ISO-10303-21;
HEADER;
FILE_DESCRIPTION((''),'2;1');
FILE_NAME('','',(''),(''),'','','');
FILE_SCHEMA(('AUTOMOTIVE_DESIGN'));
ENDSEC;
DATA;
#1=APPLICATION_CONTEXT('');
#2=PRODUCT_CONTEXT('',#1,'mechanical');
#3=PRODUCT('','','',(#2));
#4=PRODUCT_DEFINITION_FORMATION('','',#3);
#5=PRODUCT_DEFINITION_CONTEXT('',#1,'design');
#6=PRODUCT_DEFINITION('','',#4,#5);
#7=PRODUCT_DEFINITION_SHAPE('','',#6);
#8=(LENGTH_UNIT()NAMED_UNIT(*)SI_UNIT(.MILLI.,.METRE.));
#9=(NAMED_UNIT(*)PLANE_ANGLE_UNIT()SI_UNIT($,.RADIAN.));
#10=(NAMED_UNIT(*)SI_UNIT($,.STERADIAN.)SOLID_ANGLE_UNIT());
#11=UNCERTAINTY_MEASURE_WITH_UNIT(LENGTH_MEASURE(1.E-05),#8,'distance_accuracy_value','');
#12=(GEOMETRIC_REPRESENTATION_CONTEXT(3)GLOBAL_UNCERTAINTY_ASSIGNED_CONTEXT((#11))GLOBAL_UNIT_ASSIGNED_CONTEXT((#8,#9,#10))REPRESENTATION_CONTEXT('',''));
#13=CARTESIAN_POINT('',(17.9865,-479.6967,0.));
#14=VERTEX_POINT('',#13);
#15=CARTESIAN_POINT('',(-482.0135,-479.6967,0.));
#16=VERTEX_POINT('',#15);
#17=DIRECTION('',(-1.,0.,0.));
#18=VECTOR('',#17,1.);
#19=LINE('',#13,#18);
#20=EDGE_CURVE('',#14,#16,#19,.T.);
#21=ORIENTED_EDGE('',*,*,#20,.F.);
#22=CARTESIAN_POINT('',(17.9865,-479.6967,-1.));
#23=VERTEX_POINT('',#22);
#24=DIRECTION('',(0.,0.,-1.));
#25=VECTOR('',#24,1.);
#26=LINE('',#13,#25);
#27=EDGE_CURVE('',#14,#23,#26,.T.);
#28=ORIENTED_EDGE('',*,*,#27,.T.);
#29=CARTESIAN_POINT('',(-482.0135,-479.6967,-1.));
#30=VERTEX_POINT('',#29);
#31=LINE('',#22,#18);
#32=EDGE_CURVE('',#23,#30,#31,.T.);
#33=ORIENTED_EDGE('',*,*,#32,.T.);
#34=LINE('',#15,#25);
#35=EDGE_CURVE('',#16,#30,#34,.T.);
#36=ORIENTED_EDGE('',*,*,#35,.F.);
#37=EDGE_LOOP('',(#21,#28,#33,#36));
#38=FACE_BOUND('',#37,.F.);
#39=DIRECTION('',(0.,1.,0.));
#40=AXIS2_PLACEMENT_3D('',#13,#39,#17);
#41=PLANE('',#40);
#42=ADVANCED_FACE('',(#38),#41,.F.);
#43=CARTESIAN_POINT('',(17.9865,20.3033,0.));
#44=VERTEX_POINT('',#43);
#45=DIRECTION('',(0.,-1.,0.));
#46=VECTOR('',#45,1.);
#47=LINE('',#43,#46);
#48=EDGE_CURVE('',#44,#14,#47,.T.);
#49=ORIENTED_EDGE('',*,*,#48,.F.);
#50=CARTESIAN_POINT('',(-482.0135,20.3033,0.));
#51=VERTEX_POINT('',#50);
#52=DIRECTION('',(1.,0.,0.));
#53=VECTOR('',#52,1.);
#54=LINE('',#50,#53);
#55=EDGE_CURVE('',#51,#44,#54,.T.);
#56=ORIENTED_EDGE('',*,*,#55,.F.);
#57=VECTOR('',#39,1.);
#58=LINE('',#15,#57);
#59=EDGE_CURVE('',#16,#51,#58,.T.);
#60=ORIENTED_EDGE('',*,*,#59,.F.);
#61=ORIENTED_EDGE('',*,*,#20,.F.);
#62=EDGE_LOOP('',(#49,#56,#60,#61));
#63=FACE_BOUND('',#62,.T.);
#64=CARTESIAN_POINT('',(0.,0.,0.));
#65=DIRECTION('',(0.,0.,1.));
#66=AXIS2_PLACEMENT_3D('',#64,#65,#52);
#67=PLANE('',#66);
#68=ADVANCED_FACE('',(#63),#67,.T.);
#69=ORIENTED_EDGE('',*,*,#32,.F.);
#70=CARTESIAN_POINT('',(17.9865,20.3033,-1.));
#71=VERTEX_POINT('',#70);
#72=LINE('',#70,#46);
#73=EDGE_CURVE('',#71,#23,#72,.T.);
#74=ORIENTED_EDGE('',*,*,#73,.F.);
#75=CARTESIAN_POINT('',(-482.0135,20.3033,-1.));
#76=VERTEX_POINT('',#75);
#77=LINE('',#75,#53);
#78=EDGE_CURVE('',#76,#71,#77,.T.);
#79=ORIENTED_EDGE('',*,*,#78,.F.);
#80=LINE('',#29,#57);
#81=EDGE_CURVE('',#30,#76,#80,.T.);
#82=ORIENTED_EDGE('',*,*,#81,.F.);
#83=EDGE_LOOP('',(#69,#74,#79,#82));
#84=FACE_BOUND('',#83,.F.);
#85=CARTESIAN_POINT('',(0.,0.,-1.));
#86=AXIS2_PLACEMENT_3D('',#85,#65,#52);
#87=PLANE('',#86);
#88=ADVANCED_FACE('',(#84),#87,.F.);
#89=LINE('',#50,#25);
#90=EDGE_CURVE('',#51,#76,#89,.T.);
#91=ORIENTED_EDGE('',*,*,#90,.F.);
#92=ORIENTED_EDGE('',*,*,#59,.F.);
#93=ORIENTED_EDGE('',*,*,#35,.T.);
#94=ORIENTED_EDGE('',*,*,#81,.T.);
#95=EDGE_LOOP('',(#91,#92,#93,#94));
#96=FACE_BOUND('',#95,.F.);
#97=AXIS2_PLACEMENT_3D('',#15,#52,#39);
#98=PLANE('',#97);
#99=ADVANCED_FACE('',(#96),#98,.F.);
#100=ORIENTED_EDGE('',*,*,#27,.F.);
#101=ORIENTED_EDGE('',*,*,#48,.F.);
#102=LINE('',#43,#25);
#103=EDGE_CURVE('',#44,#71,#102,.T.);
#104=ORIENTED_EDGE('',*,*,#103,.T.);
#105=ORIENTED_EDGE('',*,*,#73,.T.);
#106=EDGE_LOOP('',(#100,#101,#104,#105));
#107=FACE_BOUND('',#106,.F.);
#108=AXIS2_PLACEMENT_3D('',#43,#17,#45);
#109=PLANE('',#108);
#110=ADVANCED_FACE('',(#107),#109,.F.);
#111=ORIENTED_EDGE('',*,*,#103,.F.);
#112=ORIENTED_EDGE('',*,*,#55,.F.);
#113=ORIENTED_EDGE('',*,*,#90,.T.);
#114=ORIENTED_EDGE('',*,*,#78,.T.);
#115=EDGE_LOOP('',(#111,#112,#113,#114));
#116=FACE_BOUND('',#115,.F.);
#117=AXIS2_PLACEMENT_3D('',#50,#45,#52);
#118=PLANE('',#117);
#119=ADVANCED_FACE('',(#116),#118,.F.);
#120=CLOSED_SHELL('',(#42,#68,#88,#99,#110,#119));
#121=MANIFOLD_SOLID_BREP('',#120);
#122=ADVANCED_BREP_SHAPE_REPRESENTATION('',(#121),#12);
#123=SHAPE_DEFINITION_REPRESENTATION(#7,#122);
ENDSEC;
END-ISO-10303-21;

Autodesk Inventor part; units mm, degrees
ref_plane "YZ Plane" through (0, 0, 0) normal (1, 0, 0) x (0, 1, 0)
ref_plane "XZ Plane" through (0, 0, 0) normal (0, 1, 0) x (-1, 0, 0)
ref_plane "XY Plane" through (0, 0, 0) normal (0, 0, 1) x (1, 0, 0)
sketch "Sketch1" plane through (0, 0, 0) normal (0, 0, 1) x (1, 0, 0)
  line L0 (-482.0135, 20.3033) -> (17.9865, 20.3033)
  line L1 (17.9865, 20.3033) -> (17.9865, -479.6967)
  line L2 (17.9865, -479.6967) -> (-482.0135, -479.6967)
  line L3 (-482.0135, -479.6967) -> (-482.0135, 20.3033)
  point P0 (0, 0)
  dimension "x" = 500
  dimension "y" = 500
extrude "Extrusion1" add sketch "Sketch1" against normal blind 1
properties part number "Floor" material "ABS Plastic"
